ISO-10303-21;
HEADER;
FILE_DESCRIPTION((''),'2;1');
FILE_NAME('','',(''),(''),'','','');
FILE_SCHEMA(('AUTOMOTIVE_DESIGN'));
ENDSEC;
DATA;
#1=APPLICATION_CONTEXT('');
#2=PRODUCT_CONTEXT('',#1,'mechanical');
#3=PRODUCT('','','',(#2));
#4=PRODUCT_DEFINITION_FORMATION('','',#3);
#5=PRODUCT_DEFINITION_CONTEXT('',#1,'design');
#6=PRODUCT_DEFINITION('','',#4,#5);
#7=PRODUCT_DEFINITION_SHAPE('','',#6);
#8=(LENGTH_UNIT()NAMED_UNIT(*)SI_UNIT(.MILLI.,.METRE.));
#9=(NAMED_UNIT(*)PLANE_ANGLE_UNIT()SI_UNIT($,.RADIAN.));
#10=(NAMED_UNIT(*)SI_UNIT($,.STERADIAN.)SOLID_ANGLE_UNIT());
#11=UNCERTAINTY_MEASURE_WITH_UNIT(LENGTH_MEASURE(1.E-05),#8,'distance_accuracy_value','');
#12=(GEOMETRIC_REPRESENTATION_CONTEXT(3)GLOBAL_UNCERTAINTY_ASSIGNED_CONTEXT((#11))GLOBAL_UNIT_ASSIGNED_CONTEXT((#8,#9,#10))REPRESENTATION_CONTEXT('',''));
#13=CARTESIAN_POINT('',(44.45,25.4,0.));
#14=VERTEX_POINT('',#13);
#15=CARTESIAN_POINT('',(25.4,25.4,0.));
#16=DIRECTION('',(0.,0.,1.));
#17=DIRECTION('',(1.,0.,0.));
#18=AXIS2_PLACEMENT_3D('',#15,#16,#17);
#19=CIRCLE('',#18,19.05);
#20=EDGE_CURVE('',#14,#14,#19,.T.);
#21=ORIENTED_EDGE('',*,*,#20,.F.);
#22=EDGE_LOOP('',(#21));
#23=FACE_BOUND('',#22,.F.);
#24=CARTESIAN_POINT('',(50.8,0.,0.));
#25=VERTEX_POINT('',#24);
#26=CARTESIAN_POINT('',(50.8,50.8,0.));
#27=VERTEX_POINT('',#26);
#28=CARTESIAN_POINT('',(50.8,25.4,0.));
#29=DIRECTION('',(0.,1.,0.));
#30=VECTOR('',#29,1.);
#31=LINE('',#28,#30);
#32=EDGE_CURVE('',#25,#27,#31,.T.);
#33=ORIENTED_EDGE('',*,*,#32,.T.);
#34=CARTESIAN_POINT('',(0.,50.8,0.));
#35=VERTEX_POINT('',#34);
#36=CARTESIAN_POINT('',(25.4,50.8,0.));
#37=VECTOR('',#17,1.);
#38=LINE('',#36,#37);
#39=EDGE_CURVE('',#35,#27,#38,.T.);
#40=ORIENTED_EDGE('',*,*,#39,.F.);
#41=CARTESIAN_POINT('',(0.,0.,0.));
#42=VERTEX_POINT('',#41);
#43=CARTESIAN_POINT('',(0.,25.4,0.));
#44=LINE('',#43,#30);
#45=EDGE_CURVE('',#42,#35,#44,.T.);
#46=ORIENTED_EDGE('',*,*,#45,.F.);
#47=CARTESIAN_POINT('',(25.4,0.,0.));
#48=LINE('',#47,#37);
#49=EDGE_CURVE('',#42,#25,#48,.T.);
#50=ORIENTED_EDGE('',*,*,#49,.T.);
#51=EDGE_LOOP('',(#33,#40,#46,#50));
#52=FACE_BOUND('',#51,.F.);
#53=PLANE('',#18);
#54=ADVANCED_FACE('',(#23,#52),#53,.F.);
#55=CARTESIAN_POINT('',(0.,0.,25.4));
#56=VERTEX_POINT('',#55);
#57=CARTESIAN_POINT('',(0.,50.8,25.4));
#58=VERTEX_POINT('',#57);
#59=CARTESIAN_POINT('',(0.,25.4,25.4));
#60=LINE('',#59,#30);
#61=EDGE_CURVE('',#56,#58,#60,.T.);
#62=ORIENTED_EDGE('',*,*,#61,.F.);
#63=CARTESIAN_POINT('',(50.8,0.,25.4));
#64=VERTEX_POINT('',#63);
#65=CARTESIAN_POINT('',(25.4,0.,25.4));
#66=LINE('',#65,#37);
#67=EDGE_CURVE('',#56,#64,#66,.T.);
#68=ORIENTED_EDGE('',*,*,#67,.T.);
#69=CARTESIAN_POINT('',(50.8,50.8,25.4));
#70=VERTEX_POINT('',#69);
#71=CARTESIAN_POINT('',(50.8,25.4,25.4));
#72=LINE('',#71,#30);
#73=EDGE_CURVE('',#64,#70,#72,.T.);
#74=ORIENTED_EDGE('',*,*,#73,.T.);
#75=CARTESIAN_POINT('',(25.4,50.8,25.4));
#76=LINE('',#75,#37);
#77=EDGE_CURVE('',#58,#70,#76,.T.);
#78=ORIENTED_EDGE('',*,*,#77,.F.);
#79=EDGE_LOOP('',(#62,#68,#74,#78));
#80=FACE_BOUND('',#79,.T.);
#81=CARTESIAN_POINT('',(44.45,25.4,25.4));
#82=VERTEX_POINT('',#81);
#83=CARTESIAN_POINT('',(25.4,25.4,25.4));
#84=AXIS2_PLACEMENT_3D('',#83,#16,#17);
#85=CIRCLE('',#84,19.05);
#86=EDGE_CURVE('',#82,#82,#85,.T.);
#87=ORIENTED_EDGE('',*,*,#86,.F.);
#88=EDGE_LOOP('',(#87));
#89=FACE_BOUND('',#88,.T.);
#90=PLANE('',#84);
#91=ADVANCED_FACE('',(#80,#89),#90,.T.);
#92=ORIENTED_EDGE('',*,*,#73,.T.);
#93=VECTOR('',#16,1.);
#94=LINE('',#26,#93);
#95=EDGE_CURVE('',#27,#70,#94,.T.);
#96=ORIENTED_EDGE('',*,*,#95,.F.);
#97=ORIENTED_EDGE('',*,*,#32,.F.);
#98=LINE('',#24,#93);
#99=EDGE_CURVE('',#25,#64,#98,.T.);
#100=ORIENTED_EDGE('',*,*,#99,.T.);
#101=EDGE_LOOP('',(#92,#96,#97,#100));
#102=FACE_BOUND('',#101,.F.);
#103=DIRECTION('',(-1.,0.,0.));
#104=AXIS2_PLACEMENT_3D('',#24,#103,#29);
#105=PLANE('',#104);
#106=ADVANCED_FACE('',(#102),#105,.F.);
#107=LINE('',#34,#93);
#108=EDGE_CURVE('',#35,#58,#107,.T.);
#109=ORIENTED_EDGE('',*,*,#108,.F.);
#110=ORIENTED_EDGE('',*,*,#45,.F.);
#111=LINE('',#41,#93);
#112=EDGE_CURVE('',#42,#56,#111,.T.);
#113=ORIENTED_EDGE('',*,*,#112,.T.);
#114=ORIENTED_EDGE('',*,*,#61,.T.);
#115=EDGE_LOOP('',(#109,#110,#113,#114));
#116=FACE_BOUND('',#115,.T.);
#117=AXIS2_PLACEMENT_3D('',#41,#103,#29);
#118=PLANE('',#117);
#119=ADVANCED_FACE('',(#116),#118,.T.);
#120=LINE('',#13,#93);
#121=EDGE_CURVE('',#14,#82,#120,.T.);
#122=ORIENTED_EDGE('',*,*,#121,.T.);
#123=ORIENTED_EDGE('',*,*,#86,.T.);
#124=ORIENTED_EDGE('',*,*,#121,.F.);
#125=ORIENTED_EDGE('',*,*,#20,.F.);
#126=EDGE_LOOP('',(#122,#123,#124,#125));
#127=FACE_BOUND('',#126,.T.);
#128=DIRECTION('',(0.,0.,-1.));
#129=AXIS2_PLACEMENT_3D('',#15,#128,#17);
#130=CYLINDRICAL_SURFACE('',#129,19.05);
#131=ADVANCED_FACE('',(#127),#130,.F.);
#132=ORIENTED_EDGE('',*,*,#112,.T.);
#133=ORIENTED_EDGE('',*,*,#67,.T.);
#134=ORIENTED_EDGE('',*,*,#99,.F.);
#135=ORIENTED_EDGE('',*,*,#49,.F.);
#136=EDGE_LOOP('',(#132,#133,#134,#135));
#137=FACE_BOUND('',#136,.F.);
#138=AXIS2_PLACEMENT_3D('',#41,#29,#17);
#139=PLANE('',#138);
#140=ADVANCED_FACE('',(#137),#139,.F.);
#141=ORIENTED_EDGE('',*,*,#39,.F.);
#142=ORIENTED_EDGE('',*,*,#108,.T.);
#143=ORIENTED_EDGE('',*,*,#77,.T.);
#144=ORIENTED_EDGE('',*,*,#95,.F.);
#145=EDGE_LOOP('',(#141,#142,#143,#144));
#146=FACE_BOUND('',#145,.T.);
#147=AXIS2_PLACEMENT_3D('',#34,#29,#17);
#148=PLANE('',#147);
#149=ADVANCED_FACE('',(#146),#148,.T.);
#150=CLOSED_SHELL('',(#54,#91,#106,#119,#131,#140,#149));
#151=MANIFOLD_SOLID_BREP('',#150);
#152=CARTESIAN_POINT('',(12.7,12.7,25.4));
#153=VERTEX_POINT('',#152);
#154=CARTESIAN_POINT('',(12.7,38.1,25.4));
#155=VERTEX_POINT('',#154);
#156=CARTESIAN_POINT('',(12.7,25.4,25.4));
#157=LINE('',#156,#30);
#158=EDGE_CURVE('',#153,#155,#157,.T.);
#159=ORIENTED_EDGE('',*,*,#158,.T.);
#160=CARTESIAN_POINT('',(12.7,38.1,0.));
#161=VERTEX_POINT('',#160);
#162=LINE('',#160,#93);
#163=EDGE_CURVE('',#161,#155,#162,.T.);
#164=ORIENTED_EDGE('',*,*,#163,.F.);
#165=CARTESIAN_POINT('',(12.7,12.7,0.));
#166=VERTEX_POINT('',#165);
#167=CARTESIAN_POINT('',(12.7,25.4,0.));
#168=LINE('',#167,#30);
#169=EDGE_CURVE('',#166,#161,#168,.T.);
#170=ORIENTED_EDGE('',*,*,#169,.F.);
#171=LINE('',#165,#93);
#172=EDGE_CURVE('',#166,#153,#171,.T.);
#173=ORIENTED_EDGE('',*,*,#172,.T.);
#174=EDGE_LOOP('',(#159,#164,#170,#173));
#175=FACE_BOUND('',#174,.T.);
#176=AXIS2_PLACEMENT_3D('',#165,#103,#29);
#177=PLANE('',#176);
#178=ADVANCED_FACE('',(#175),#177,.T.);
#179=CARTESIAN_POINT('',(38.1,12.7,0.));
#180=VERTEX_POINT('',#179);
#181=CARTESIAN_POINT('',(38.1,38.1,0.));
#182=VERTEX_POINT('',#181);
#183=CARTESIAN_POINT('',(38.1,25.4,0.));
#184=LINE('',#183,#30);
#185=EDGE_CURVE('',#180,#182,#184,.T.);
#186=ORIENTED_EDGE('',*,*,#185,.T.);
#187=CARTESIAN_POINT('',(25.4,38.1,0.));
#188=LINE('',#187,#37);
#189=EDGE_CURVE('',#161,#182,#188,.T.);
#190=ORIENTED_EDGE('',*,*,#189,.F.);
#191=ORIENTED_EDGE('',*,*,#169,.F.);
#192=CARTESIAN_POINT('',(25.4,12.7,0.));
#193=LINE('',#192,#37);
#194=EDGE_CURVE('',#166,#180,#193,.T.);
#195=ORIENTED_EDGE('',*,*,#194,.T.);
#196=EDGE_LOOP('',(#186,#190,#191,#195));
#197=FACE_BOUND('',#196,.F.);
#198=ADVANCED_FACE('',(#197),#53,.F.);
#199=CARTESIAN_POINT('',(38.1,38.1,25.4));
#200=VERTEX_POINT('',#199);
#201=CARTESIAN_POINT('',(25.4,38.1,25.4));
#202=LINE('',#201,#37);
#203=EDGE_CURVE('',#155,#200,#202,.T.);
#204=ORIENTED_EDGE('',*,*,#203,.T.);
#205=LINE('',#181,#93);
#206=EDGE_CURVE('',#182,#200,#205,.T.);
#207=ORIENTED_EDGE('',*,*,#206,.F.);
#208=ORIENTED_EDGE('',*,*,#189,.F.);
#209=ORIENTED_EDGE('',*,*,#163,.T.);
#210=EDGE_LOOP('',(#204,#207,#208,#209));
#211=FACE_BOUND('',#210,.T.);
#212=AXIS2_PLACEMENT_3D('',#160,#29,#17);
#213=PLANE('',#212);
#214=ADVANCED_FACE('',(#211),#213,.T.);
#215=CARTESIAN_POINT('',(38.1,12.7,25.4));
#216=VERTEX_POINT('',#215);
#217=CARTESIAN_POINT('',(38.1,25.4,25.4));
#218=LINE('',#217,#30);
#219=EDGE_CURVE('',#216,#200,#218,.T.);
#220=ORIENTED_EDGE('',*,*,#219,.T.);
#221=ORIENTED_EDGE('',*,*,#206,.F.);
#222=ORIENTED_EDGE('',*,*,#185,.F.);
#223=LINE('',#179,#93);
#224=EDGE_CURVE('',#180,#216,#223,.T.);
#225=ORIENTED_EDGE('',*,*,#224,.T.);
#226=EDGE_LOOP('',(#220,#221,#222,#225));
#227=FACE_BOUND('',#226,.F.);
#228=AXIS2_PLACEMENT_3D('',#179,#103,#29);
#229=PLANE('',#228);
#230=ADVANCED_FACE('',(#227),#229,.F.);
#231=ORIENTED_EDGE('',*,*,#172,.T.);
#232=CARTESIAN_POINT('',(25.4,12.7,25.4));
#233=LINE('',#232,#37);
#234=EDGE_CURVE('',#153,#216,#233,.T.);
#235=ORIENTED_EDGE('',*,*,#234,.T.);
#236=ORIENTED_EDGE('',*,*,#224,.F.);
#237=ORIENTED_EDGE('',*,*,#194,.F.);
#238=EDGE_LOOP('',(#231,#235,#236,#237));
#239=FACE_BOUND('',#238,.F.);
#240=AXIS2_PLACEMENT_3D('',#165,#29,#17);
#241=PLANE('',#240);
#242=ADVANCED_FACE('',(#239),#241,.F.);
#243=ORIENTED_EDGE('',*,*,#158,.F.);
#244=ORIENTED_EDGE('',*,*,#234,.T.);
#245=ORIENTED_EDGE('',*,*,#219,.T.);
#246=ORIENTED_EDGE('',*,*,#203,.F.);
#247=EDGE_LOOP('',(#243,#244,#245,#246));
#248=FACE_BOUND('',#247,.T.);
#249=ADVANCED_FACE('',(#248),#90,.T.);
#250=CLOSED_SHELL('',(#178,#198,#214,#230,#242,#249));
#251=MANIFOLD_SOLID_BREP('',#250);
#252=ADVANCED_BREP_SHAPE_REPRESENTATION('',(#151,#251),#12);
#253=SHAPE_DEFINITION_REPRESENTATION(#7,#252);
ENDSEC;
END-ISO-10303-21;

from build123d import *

# Parameters (mm, degrees)
F0_W     = 50.8
F0_H     = 50.8
F0_R     = 19.05
F0_W_2   = 25.4
F0_H_2   = 25.4
F1_DEPTH = 25.4


with BuildPart() as f1:
    # F0 (on Top) → F1 (new body)
    with BuildSketch(Plane.XY):
        with Locations((25.4, 25.4)):
            Rectangle(F0_W, F0_H)
        with Locations((25.4, 25.4)):
            Circle(F0_R, mode=Mode.SUBTRACT)
        with Locations((25.4, 25.4)):
            Rectangle(F0_W_2, F0_H_2)
    extrude(amount=F1_DEPTH)


solid = f1.part
